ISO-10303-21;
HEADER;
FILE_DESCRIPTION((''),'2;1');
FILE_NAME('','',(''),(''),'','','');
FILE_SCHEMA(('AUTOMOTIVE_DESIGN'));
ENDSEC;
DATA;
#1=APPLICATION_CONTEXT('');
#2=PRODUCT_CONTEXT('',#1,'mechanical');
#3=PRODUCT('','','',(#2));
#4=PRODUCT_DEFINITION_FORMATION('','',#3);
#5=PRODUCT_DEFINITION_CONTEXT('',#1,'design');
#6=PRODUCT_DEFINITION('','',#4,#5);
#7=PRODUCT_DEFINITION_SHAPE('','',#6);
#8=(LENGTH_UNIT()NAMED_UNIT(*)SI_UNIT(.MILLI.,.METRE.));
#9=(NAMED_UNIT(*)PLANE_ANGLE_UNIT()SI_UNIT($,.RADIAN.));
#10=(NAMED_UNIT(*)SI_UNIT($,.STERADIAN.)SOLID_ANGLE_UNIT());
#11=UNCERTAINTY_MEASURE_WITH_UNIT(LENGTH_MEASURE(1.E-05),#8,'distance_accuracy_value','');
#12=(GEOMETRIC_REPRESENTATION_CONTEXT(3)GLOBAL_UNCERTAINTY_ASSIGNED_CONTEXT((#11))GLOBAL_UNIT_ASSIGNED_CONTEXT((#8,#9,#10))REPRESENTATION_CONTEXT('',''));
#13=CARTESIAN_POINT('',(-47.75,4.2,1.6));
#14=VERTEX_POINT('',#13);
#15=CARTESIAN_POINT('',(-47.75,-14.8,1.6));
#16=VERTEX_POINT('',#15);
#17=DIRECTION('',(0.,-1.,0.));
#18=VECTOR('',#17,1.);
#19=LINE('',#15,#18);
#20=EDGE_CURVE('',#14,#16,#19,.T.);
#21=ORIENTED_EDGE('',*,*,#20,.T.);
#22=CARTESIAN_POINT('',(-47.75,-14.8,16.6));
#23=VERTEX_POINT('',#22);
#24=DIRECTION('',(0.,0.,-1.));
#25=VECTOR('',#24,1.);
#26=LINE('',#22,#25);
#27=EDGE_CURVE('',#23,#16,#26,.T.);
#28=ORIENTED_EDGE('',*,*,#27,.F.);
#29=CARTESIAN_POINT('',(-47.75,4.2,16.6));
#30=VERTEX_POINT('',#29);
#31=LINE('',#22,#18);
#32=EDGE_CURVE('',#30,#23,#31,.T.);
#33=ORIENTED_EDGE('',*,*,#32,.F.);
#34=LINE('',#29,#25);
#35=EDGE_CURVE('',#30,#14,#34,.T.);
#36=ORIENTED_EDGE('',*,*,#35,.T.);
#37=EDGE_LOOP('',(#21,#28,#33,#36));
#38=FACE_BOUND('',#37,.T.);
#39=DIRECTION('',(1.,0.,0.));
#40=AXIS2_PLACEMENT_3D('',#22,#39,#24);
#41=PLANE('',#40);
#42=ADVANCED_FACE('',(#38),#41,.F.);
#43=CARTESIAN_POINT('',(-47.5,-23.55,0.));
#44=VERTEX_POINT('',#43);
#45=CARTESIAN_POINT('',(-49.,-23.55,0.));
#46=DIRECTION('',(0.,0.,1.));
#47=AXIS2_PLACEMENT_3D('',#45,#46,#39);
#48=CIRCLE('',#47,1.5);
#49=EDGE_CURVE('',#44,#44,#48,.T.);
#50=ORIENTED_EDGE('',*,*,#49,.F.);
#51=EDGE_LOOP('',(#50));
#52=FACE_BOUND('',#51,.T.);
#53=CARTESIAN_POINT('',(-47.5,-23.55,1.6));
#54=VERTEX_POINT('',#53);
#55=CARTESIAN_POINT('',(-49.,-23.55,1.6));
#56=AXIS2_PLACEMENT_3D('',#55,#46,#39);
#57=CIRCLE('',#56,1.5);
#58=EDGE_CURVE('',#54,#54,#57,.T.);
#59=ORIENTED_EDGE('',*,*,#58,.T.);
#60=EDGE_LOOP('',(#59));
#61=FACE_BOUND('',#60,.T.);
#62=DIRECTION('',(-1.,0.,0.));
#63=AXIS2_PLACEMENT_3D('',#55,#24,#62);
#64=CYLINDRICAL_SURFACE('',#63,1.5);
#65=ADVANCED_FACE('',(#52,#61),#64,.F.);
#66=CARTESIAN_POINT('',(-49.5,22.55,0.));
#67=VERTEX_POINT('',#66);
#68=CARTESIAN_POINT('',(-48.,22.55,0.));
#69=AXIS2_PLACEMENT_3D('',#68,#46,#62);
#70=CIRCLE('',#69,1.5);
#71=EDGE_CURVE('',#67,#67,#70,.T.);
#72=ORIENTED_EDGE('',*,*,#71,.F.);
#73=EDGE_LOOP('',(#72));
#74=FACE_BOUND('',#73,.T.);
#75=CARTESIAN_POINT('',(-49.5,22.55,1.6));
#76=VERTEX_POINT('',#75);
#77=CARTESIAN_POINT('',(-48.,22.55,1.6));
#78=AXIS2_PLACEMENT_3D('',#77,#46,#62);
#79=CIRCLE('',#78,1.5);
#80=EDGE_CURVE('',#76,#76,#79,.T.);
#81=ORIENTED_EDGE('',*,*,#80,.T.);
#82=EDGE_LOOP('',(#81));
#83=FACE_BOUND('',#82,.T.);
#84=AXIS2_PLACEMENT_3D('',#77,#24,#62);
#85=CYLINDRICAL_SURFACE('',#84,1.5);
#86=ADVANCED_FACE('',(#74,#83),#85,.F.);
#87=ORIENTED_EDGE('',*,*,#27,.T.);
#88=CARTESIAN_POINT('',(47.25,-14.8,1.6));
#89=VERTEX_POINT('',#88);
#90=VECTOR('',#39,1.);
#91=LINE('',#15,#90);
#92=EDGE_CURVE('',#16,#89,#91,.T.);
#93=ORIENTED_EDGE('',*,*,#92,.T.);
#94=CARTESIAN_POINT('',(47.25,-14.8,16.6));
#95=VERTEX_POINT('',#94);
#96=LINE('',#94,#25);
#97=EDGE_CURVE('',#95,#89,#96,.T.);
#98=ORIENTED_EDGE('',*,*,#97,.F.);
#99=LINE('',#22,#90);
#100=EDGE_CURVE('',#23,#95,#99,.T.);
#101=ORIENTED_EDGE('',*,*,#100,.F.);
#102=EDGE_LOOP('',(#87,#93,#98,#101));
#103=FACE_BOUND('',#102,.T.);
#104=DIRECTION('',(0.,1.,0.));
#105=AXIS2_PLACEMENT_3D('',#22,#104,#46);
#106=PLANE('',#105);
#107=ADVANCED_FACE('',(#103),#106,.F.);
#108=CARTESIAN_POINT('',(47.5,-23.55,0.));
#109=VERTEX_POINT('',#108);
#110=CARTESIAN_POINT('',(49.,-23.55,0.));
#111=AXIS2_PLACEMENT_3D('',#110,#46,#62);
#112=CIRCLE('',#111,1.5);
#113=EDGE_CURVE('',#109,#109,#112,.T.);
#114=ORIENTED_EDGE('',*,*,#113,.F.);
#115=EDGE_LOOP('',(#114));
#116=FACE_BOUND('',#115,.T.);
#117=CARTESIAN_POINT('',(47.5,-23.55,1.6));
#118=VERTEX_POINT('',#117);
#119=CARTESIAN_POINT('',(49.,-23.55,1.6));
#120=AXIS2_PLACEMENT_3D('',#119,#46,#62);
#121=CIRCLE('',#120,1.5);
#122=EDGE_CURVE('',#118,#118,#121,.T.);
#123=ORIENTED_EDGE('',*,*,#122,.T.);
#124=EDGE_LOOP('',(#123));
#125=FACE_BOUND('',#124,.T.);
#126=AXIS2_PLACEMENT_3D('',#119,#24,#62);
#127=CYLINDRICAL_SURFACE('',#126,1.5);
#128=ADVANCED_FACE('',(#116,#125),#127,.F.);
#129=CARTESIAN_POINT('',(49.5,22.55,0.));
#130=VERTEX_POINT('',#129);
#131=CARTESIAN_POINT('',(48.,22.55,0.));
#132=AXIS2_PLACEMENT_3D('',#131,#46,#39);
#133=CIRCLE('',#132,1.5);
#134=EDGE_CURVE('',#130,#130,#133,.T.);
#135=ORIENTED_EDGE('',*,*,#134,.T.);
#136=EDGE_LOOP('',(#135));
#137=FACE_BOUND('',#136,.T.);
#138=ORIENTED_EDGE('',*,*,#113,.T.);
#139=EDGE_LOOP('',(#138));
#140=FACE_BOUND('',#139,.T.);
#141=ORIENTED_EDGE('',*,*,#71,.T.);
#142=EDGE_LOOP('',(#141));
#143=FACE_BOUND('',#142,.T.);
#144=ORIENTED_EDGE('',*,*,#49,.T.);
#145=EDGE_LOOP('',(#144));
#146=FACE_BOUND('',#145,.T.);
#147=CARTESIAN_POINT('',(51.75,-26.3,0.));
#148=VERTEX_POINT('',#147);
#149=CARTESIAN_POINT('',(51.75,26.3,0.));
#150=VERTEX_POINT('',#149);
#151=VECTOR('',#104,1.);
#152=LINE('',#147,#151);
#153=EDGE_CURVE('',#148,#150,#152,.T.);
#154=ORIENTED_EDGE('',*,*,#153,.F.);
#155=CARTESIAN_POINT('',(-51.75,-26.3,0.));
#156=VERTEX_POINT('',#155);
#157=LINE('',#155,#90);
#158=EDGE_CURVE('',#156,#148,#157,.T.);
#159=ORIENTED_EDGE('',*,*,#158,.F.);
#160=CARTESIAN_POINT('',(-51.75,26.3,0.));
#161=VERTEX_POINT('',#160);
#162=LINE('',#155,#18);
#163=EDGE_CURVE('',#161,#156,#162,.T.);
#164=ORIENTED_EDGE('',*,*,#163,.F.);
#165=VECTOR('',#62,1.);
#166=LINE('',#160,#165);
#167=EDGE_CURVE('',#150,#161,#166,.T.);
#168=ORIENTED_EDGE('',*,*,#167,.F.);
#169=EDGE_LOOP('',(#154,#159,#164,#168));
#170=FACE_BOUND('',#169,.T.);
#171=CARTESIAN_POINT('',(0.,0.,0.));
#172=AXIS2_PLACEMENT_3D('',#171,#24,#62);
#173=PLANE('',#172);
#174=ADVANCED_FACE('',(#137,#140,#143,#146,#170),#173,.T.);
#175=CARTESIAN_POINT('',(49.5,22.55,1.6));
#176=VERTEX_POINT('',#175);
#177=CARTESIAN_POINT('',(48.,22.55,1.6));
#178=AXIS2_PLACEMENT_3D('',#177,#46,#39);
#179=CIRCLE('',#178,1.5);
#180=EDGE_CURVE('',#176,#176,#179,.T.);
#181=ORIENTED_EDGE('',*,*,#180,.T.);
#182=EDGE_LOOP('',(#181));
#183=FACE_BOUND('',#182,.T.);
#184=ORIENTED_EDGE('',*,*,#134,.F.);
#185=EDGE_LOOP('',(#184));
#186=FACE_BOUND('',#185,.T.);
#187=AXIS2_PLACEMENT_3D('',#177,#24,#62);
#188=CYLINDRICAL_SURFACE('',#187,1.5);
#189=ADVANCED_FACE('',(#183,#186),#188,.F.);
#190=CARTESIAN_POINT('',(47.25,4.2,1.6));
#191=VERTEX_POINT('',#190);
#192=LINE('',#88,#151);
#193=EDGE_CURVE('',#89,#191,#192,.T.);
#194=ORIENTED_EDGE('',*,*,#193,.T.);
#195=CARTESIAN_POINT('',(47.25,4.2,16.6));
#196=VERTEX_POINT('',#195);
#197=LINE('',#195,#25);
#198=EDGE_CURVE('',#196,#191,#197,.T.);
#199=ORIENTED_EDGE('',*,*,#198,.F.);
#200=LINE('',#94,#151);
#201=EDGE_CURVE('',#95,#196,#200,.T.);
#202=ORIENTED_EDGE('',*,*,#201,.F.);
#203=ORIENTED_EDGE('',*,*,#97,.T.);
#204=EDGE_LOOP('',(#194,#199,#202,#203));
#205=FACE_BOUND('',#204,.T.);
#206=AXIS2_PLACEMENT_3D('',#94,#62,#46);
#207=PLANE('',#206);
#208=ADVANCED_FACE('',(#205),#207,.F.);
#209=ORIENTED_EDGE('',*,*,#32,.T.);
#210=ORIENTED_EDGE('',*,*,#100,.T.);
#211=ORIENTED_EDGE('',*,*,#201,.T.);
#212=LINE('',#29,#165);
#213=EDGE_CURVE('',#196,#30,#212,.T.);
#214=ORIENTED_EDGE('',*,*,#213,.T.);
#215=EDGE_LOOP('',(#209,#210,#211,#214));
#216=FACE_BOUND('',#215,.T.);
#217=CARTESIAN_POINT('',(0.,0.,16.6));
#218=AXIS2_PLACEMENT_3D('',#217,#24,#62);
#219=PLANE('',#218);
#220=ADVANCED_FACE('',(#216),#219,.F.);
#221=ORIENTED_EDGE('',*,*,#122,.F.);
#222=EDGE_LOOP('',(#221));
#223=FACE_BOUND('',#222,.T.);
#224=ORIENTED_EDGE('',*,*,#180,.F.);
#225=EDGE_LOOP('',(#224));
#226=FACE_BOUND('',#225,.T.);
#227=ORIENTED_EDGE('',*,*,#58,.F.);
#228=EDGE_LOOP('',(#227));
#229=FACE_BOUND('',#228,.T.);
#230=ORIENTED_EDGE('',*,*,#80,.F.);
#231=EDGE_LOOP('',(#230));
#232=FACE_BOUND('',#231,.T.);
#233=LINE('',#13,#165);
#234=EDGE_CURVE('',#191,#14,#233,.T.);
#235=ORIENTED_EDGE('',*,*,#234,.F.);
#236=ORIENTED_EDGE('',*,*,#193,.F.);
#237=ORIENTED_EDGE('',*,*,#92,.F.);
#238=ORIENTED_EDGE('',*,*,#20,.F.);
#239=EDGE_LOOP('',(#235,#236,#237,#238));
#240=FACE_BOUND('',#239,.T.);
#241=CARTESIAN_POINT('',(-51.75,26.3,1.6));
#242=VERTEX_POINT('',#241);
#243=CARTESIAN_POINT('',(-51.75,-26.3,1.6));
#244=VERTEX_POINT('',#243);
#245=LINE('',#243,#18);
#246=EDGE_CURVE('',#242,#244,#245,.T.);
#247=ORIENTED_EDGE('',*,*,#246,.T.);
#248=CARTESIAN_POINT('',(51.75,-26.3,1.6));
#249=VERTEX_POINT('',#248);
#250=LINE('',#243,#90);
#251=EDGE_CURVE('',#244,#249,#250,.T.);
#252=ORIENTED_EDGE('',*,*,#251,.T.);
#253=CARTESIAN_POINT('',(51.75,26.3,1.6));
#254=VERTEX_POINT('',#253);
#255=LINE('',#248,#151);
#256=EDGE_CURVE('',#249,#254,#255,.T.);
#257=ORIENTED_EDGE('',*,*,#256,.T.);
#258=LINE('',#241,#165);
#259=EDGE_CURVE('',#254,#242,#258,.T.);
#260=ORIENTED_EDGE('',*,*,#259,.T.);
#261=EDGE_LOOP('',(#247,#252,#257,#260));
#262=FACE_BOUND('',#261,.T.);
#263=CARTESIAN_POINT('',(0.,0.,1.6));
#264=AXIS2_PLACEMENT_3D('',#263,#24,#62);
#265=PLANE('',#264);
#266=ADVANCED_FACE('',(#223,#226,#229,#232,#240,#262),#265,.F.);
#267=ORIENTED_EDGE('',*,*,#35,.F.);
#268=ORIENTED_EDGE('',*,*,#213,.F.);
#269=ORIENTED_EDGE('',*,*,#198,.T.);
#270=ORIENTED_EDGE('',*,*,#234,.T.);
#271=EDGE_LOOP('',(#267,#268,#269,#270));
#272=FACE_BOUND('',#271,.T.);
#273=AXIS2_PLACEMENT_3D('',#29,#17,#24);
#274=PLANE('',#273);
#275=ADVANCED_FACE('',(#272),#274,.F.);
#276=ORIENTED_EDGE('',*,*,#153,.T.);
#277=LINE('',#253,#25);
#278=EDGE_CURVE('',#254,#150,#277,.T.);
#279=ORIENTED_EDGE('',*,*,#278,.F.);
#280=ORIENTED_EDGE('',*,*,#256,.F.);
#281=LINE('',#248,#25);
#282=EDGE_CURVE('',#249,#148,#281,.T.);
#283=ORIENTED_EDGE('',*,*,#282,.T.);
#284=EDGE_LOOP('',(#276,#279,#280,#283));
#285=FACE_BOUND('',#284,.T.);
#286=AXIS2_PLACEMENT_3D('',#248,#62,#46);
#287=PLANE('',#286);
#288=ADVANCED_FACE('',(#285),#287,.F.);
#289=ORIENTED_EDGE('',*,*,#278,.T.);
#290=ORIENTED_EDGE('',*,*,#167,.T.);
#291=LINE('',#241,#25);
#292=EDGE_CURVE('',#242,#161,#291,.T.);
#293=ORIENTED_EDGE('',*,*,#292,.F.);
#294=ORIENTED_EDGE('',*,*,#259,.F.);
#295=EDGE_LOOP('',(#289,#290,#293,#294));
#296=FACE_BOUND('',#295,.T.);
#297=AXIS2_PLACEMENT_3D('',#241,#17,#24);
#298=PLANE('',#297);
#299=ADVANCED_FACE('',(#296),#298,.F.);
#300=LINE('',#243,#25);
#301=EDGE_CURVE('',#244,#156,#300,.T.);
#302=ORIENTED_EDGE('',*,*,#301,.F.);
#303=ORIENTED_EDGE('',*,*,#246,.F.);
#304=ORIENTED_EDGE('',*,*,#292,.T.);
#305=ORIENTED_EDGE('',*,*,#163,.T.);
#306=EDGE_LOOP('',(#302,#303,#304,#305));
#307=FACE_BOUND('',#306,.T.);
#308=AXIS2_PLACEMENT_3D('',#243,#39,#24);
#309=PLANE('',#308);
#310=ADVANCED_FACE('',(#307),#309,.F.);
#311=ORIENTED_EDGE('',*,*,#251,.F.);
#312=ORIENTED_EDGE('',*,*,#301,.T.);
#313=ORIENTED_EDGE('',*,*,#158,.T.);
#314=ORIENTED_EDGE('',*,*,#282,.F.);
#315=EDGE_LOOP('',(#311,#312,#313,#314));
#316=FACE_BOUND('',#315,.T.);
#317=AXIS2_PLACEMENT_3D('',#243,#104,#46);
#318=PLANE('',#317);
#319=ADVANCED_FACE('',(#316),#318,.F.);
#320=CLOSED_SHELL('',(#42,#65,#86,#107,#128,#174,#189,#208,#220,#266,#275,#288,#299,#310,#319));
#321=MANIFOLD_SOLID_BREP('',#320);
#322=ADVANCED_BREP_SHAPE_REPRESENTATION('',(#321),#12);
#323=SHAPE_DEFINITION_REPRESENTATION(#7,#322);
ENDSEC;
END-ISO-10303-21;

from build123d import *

# Parameters (mm, degrees)
ESQUISSE2_W        = 103.5
ESQUISSE2_H        = 52.6
ESQUISSE2_R        = 1.5
BOSS_EXTRU_1_DEPTH = 1.6
ESQUISSE3_W        = 95
ESQUISSE3_H        = 19
BOSS_EXTRU_2_DEPTH = 15


with BuildPart() as part:
    # Esquisse2 → Boss.-Extru.1 (new body)
    with BuildSketch(Plane.XY):
        Rectangle(ESQUISSE2_W, ESQUISSE2_H)
        with Locations((48, 22.55)):
            Circle(ESQUISSE2_R, mode=Mode.SUBTRACT)
        with Locations((49, -23.55)):
            Circle(ESQUISSE2_R, mode=Mode.SUBTRACT)
        with Locations((-49, -23.55)):
            Circle(ESQUISSE2_R, mode=Mode.SUBTRACT)
        with Locations((-48, 22.55)):
            Circle(ESQUISSE2_R, mode=Mode.SUBTRACT)
    extrude(amount=BOSS_EXTRU_1_DEPTH)

    # Esquisse3 → Boss.-Extru.2 (add)
    with BuildSketch(Plane.XY.offset(1.6)):
        with Locations((-0.25, -5.3)):
            Rectangle(ESQUISSE3_W, ESQUISSE3_H)
    extrude(amount=BOSS_EXTRU_2_DEPTH)


solid = part.part
